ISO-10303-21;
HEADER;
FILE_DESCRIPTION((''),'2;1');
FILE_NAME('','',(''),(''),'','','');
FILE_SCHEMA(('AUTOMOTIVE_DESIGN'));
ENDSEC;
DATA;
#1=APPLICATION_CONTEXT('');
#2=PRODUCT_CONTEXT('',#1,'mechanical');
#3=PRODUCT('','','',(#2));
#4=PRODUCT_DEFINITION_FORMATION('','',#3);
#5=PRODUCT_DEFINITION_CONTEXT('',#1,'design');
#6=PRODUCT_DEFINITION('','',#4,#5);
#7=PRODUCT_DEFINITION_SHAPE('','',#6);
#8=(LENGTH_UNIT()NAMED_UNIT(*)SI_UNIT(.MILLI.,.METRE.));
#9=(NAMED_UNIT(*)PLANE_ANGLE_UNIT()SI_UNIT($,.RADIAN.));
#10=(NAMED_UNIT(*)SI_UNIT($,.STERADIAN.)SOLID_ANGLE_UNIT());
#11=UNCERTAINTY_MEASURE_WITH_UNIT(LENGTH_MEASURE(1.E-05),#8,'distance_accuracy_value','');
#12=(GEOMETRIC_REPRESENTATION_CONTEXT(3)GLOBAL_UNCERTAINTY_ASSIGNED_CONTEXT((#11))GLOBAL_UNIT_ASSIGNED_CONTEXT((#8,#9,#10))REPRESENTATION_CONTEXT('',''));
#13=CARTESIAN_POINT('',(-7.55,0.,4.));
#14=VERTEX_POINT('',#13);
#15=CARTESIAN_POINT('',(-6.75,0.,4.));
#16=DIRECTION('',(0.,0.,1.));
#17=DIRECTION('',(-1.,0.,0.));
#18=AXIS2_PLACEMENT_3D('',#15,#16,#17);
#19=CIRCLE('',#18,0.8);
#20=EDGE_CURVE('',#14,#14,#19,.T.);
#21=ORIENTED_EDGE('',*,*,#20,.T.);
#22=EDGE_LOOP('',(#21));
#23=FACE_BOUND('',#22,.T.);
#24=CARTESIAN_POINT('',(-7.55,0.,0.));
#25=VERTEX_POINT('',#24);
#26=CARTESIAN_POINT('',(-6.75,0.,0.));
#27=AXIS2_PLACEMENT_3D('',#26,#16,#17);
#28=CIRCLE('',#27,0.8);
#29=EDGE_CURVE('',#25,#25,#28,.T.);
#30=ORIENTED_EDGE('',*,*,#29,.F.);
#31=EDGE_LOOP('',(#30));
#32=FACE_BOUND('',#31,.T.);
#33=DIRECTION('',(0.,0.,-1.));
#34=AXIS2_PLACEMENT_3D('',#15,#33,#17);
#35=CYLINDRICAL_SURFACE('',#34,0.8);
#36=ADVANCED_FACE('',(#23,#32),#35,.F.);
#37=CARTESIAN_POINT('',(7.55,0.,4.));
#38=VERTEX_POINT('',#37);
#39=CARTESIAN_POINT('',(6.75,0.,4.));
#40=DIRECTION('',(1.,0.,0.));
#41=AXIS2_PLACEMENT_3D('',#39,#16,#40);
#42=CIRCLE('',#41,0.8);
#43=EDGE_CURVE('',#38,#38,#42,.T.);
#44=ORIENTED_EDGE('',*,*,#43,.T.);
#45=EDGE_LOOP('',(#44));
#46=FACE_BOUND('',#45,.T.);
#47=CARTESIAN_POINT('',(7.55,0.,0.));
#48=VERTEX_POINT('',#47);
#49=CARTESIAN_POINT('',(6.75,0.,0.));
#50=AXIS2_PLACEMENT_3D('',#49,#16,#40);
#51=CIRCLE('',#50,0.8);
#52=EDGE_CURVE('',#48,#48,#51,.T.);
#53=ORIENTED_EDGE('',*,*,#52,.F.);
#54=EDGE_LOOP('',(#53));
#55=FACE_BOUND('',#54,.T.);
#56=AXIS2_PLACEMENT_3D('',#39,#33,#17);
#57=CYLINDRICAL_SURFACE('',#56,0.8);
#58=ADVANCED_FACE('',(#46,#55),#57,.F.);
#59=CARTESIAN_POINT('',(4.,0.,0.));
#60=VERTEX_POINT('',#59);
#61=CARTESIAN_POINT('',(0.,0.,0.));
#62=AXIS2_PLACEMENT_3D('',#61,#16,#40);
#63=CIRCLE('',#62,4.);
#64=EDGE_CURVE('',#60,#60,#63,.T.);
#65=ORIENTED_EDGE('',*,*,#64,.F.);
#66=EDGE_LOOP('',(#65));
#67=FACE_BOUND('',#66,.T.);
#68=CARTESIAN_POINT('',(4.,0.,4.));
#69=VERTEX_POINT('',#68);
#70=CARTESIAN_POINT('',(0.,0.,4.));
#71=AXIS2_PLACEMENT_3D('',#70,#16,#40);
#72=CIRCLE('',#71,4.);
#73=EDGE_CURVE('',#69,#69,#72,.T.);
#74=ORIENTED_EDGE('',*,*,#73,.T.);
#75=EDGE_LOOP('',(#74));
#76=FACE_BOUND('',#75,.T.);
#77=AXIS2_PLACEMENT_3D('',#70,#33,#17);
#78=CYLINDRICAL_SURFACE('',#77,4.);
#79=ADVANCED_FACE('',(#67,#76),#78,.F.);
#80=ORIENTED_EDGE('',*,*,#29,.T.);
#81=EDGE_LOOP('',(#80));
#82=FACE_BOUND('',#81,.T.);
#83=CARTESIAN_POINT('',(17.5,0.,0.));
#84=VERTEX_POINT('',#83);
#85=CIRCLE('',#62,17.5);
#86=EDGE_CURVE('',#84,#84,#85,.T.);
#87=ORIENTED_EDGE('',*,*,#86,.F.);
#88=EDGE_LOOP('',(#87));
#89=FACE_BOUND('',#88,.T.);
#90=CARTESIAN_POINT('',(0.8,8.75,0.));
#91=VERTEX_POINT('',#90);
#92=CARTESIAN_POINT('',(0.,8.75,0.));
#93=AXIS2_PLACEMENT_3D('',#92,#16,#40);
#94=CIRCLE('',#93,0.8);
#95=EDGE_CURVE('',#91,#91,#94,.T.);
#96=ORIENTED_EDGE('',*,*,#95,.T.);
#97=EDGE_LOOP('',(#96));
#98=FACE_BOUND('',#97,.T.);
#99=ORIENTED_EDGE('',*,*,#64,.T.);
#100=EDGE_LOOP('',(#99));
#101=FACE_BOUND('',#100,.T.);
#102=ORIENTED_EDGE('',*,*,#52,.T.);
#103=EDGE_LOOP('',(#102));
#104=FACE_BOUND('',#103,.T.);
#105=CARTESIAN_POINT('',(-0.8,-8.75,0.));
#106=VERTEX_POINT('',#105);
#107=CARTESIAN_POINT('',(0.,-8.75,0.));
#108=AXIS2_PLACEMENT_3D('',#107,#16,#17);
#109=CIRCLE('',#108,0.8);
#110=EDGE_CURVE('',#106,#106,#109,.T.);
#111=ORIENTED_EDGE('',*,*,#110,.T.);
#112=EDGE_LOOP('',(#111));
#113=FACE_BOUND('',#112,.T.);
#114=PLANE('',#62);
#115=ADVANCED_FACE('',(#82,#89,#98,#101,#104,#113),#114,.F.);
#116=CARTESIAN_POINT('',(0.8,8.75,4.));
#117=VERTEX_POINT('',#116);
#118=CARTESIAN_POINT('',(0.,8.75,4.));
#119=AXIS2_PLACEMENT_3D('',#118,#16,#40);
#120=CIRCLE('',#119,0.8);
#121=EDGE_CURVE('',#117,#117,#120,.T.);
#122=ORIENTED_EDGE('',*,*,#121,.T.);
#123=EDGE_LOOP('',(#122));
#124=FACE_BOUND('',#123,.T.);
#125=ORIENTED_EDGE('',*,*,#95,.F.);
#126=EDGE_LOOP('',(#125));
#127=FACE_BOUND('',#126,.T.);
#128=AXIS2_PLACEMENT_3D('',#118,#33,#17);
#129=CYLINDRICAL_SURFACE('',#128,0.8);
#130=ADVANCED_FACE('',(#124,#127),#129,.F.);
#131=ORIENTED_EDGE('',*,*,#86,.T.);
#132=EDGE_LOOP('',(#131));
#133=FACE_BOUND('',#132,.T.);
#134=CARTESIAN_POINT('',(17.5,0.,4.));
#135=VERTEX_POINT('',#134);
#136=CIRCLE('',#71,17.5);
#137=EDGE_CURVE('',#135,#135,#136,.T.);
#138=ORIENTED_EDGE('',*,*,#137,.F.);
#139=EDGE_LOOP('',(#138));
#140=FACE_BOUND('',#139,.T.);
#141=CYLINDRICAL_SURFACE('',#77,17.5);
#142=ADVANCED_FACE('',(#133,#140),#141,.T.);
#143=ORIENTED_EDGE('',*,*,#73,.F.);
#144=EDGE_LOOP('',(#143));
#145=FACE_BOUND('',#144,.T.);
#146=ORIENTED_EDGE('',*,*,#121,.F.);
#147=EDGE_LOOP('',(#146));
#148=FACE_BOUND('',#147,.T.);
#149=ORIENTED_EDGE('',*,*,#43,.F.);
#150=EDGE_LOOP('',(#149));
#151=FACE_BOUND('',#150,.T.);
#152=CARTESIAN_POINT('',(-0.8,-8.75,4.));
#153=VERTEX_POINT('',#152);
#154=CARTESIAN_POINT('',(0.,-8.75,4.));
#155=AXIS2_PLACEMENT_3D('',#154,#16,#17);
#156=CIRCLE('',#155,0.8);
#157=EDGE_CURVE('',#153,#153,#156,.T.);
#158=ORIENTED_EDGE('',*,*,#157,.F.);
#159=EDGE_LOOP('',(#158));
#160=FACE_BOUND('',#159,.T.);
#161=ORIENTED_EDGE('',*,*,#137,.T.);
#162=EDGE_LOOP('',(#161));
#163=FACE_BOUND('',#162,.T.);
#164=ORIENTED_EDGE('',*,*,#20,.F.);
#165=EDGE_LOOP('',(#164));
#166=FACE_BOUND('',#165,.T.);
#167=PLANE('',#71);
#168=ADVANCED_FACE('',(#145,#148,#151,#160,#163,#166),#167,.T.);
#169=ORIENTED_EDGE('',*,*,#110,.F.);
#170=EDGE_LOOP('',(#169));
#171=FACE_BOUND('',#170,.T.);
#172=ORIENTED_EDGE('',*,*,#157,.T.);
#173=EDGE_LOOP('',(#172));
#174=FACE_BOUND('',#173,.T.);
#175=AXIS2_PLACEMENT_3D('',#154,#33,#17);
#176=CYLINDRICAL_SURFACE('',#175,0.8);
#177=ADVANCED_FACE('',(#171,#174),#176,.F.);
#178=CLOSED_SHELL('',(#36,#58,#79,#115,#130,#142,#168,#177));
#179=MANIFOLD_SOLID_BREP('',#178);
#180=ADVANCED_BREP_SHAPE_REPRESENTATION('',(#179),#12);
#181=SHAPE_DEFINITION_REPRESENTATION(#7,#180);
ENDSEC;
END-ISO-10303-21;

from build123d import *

# Parameters (mm, degrees)
SKETCH1_R           = 17.5
SKETCH1_R_2         = 4
SKETCH1_R_3         = 0.8
BOSS_EXTRUDE1_DEPTH = 4


with BuildPart() as part:
    # Sketch1 → Boss-Extrude1 (new body)
    with BuildSketch(Plane.XY):
        Circle(SKETCH1_R)
        Circle(SKETCH1_R_2, mode=Mode.SUBTRACT)
        with Locations((6.75, 0)):
            Circle(SKETCH1_R_3, mode=Mode.SUBTRACT)
        with Locations((0, 8.75)):
            Circle(SKETCH1_R_3, mode=Mode.SUBTRACT)
        with Locations(Location((0, -8.75, 0), (0, 0, 180))):
            Circle(SKETCH1_R_3, mode=Mode.SUBTRACT)
        with Locations(Location((-6.75, 0, 0), (0, 0, 180))):
            Circle(SKETCH1_R_3, mode=Mode.SUBTRACT)
    extrude(amount=BOSS_EXTRUDE1_DEPTH)


solid = part.part
